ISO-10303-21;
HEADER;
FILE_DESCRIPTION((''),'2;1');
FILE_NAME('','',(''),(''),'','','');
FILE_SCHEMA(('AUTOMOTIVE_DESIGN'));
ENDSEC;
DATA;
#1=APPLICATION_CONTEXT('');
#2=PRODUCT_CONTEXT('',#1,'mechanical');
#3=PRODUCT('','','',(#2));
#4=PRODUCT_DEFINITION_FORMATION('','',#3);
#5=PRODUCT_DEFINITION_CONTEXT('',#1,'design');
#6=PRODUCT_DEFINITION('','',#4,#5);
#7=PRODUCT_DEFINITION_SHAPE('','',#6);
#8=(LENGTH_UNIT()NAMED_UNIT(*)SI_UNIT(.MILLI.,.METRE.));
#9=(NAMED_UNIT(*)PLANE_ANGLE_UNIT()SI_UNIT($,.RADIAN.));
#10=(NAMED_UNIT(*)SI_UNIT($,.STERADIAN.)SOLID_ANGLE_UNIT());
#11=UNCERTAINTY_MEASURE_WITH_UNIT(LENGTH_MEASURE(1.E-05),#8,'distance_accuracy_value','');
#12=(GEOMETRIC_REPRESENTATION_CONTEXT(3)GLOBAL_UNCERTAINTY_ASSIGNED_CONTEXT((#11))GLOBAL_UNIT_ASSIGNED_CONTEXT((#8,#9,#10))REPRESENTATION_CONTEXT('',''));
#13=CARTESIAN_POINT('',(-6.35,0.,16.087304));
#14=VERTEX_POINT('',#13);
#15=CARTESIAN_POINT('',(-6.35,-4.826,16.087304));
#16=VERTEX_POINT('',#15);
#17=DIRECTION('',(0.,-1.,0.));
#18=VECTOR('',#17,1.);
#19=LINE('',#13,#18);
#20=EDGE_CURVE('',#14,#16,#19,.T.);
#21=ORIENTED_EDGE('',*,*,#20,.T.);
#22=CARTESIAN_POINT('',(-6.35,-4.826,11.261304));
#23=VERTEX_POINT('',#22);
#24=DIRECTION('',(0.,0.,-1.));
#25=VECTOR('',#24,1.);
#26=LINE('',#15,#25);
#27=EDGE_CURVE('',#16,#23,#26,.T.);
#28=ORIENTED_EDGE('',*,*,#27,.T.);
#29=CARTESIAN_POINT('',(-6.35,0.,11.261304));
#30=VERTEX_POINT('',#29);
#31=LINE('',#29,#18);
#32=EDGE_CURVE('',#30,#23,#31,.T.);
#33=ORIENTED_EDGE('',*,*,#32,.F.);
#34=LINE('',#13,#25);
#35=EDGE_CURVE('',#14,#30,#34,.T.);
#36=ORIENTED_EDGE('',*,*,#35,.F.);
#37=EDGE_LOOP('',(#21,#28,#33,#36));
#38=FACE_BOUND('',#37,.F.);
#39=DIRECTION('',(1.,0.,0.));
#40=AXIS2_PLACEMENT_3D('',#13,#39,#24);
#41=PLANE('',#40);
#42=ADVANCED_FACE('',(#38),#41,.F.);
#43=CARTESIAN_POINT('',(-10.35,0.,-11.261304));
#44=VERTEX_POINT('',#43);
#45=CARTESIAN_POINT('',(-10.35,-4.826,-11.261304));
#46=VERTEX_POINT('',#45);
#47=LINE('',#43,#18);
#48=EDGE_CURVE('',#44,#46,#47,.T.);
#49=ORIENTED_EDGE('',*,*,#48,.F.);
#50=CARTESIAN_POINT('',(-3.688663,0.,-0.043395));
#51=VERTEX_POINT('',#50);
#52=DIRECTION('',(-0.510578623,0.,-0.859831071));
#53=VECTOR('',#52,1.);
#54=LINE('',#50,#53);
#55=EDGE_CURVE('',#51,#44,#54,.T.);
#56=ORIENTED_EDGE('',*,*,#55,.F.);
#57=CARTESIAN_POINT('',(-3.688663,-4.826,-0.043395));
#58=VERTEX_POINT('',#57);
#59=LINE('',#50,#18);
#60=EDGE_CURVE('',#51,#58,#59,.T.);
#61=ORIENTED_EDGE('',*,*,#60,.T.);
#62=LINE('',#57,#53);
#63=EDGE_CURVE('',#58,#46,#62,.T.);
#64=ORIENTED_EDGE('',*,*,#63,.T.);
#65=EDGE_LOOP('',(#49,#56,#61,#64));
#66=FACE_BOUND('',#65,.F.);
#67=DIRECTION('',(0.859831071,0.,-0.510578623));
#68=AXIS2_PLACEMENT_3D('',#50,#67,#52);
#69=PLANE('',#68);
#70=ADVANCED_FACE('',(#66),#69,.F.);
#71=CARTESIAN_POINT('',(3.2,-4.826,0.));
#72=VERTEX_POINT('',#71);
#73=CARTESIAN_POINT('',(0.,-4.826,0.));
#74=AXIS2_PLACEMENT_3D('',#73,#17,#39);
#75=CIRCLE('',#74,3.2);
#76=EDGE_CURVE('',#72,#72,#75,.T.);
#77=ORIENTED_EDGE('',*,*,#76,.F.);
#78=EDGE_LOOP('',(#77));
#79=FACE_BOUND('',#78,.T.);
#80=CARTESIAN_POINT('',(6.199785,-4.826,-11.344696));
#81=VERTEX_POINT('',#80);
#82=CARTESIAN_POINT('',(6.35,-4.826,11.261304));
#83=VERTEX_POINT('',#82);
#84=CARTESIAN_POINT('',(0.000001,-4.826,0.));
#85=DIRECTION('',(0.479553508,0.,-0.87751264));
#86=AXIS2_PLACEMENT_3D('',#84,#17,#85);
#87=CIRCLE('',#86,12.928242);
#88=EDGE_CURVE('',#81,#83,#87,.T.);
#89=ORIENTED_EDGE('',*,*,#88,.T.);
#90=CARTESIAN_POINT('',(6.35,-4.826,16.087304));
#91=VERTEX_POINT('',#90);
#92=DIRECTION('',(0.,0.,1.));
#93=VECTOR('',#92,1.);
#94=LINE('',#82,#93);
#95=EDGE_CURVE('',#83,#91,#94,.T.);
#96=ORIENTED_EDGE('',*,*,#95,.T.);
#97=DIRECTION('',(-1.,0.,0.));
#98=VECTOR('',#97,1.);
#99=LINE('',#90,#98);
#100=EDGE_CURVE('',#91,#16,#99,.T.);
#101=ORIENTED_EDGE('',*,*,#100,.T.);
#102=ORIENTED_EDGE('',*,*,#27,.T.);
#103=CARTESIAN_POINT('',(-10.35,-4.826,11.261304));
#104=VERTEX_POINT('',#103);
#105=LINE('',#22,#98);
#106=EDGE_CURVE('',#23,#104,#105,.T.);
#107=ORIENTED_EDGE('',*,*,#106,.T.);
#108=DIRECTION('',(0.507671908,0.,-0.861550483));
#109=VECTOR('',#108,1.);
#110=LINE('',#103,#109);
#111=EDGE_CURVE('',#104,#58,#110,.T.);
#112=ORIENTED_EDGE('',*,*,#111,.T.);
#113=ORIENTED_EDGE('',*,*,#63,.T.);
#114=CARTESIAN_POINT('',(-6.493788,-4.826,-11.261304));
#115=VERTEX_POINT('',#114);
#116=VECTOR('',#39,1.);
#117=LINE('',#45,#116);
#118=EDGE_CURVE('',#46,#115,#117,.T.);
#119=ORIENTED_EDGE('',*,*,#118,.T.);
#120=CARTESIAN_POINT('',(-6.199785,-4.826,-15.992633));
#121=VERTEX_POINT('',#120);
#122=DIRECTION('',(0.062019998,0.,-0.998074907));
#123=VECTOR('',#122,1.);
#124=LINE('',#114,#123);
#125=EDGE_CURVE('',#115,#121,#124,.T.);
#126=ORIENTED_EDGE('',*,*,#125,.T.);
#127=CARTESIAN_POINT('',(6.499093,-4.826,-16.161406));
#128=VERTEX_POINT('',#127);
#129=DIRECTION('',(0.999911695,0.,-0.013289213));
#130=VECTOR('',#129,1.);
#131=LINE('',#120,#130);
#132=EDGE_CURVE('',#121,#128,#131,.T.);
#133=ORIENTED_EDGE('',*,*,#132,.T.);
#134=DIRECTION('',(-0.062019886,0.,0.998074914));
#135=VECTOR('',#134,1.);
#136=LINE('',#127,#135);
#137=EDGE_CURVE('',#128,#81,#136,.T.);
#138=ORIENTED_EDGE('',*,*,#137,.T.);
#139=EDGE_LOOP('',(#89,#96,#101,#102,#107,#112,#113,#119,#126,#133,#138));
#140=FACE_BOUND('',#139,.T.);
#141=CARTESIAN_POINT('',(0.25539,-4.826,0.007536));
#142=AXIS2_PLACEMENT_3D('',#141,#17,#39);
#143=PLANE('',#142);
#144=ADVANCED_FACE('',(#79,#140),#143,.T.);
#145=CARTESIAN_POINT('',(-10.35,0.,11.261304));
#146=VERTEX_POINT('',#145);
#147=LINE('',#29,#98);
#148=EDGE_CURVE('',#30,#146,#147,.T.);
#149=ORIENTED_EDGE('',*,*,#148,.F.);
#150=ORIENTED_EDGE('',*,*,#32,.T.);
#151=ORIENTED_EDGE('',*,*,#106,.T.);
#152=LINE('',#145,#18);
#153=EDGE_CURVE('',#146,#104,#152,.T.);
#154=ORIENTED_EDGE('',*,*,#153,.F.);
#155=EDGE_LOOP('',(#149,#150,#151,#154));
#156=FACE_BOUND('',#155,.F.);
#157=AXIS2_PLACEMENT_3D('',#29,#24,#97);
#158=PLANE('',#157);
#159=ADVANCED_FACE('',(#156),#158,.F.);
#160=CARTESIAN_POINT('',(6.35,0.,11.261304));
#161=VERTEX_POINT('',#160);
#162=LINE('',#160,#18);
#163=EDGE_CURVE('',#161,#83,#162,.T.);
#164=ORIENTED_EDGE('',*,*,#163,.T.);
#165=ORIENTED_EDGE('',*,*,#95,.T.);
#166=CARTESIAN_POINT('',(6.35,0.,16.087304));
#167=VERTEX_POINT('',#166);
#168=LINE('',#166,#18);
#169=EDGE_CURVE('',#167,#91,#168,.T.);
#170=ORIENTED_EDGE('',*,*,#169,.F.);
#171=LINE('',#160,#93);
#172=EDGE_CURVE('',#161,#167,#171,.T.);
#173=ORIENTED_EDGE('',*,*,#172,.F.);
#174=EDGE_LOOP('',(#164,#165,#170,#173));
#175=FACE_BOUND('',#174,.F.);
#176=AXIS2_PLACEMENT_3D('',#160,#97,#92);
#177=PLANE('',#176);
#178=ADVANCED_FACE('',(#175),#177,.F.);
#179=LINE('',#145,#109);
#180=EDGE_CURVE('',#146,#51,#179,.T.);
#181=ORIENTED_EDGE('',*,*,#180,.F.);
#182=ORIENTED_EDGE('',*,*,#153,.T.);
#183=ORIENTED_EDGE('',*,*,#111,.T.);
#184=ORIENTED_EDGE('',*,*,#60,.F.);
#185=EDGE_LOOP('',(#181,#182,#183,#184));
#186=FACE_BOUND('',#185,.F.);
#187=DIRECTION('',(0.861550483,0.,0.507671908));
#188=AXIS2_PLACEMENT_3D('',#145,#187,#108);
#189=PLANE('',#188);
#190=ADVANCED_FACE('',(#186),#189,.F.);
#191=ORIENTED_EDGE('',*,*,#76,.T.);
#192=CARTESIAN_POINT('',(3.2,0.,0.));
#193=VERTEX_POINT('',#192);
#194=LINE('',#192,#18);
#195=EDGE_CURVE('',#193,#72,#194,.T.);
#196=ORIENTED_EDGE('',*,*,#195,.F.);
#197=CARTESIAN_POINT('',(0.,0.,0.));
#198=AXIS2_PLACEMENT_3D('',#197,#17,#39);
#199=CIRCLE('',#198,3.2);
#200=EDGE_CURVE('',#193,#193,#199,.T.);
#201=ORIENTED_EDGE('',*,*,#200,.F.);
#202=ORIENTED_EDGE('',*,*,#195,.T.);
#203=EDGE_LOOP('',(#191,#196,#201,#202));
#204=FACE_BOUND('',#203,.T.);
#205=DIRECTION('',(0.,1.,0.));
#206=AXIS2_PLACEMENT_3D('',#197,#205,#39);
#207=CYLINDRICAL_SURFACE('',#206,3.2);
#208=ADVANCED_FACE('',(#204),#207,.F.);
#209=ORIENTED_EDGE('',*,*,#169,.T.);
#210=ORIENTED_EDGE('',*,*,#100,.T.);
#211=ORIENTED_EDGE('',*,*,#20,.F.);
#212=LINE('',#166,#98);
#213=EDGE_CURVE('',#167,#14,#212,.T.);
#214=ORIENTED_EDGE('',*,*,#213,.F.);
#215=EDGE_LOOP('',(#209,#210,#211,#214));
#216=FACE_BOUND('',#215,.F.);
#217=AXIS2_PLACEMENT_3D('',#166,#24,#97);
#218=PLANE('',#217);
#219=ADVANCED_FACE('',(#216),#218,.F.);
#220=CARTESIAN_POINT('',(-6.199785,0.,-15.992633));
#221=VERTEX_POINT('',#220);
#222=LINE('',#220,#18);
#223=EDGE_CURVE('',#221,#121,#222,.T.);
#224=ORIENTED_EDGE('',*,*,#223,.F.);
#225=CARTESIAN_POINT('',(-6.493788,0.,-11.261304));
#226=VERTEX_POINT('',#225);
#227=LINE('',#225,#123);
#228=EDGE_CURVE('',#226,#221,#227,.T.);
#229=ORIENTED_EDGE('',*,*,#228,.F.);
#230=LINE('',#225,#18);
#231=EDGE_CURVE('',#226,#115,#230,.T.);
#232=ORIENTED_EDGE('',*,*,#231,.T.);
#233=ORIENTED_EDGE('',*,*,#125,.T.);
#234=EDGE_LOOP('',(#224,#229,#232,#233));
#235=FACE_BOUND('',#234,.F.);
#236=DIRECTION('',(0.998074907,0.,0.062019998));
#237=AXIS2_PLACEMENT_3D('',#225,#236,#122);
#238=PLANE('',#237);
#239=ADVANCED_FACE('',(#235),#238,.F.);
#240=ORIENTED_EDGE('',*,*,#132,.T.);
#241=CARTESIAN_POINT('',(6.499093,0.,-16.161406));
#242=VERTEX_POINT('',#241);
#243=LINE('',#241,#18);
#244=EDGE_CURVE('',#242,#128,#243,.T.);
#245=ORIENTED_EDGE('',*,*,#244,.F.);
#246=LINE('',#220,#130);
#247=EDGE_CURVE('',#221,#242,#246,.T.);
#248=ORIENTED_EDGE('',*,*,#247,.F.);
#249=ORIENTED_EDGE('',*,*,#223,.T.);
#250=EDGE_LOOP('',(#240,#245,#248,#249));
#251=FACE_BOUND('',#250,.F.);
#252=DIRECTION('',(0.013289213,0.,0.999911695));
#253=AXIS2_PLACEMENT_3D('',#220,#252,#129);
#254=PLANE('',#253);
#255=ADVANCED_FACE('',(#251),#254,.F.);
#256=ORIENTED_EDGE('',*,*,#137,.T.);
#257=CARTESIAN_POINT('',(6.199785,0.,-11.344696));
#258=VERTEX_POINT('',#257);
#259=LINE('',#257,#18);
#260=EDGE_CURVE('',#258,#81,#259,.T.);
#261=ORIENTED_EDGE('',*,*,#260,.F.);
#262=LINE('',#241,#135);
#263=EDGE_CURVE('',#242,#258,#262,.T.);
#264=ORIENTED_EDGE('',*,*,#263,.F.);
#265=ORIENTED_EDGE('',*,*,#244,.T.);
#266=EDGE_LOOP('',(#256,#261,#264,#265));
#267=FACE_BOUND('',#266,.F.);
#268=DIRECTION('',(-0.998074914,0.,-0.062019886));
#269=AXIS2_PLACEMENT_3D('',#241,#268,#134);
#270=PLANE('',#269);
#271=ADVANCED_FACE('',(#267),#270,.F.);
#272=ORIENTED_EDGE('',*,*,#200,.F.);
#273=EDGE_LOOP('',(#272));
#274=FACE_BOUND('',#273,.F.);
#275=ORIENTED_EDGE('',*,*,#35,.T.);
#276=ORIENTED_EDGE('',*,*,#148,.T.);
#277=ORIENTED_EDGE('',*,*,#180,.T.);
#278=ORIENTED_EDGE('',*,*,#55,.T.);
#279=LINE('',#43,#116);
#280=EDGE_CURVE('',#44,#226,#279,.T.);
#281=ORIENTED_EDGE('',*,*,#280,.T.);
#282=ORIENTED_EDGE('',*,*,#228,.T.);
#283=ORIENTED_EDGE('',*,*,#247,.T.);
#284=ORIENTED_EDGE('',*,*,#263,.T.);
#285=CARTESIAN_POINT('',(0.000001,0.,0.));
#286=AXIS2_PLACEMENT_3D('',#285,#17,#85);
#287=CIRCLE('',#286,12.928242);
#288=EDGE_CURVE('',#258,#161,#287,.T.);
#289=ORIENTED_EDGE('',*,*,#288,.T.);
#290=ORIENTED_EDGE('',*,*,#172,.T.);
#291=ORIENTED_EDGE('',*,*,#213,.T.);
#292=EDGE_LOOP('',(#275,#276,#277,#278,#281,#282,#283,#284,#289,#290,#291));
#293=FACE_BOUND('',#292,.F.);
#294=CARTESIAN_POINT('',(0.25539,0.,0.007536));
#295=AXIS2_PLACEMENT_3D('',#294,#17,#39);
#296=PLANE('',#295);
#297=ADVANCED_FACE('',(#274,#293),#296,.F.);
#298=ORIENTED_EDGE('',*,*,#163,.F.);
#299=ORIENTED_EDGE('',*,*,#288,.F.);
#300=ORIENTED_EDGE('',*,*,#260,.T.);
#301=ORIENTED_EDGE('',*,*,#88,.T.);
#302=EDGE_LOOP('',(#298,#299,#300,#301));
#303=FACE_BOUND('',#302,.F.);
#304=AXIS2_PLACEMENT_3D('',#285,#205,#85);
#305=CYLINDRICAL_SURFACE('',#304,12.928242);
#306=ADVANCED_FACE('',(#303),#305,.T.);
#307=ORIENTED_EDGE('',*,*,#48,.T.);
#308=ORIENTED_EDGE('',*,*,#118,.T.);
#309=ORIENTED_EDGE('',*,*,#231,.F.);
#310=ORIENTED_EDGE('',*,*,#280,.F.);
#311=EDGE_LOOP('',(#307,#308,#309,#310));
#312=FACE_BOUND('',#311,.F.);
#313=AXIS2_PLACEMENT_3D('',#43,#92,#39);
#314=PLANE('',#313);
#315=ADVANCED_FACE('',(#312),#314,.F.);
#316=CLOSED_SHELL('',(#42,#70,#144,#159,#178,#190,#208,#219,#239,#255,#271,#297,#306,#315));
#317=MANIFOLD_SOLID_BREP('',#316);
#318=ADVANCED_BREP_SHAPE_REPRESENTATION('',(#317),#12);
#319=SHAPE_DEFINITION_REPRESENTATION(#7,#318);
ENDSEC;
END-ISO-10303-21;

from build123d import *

# Parameters (mm, degrees)
F0_R     = 3.2
F1_DEPTH = 4.826


with BuildPart() as f1:
    # F0 (on Front) → F1 (new body)
    with BuildSketch(Plane.XZ):
        with BuildLine():
            Line((-6.199785, -15.992633), (6.499093, -16.161406))
            Line((6.499093, -16.161406), (6.199785, -11.344696))
            ThreePointArc((6.199785, -11.344696), (12.927958, -0.085905), (6.35, 11.261304))
            Line((6.35, 11.261304), (6.35, 16.087304))
            Line((6.35, 16.087304), (-6.35, 16.087304))
            Line((-6.35, 16.087304), (-6.35, 11.261304))
            Line((-6.35, 11.261304), (-10.35, 11.261304))
            Line((-10.35, 11.261304), (-3.688663, -0.043395))
            Line((-3.688663, -0.043395), (-10.35, -11.261304))
            Line((-10.35, -11.261304), (-6.493788, -11.261304))
            Line((-6.493788, -11.261304), (-6.199785, -15.992633))
        make_face()
        Circle(F0_R, mode=Mode.SUBTRACT)
    extrude(amount=F1_DEPTH)


solid = f1.part
